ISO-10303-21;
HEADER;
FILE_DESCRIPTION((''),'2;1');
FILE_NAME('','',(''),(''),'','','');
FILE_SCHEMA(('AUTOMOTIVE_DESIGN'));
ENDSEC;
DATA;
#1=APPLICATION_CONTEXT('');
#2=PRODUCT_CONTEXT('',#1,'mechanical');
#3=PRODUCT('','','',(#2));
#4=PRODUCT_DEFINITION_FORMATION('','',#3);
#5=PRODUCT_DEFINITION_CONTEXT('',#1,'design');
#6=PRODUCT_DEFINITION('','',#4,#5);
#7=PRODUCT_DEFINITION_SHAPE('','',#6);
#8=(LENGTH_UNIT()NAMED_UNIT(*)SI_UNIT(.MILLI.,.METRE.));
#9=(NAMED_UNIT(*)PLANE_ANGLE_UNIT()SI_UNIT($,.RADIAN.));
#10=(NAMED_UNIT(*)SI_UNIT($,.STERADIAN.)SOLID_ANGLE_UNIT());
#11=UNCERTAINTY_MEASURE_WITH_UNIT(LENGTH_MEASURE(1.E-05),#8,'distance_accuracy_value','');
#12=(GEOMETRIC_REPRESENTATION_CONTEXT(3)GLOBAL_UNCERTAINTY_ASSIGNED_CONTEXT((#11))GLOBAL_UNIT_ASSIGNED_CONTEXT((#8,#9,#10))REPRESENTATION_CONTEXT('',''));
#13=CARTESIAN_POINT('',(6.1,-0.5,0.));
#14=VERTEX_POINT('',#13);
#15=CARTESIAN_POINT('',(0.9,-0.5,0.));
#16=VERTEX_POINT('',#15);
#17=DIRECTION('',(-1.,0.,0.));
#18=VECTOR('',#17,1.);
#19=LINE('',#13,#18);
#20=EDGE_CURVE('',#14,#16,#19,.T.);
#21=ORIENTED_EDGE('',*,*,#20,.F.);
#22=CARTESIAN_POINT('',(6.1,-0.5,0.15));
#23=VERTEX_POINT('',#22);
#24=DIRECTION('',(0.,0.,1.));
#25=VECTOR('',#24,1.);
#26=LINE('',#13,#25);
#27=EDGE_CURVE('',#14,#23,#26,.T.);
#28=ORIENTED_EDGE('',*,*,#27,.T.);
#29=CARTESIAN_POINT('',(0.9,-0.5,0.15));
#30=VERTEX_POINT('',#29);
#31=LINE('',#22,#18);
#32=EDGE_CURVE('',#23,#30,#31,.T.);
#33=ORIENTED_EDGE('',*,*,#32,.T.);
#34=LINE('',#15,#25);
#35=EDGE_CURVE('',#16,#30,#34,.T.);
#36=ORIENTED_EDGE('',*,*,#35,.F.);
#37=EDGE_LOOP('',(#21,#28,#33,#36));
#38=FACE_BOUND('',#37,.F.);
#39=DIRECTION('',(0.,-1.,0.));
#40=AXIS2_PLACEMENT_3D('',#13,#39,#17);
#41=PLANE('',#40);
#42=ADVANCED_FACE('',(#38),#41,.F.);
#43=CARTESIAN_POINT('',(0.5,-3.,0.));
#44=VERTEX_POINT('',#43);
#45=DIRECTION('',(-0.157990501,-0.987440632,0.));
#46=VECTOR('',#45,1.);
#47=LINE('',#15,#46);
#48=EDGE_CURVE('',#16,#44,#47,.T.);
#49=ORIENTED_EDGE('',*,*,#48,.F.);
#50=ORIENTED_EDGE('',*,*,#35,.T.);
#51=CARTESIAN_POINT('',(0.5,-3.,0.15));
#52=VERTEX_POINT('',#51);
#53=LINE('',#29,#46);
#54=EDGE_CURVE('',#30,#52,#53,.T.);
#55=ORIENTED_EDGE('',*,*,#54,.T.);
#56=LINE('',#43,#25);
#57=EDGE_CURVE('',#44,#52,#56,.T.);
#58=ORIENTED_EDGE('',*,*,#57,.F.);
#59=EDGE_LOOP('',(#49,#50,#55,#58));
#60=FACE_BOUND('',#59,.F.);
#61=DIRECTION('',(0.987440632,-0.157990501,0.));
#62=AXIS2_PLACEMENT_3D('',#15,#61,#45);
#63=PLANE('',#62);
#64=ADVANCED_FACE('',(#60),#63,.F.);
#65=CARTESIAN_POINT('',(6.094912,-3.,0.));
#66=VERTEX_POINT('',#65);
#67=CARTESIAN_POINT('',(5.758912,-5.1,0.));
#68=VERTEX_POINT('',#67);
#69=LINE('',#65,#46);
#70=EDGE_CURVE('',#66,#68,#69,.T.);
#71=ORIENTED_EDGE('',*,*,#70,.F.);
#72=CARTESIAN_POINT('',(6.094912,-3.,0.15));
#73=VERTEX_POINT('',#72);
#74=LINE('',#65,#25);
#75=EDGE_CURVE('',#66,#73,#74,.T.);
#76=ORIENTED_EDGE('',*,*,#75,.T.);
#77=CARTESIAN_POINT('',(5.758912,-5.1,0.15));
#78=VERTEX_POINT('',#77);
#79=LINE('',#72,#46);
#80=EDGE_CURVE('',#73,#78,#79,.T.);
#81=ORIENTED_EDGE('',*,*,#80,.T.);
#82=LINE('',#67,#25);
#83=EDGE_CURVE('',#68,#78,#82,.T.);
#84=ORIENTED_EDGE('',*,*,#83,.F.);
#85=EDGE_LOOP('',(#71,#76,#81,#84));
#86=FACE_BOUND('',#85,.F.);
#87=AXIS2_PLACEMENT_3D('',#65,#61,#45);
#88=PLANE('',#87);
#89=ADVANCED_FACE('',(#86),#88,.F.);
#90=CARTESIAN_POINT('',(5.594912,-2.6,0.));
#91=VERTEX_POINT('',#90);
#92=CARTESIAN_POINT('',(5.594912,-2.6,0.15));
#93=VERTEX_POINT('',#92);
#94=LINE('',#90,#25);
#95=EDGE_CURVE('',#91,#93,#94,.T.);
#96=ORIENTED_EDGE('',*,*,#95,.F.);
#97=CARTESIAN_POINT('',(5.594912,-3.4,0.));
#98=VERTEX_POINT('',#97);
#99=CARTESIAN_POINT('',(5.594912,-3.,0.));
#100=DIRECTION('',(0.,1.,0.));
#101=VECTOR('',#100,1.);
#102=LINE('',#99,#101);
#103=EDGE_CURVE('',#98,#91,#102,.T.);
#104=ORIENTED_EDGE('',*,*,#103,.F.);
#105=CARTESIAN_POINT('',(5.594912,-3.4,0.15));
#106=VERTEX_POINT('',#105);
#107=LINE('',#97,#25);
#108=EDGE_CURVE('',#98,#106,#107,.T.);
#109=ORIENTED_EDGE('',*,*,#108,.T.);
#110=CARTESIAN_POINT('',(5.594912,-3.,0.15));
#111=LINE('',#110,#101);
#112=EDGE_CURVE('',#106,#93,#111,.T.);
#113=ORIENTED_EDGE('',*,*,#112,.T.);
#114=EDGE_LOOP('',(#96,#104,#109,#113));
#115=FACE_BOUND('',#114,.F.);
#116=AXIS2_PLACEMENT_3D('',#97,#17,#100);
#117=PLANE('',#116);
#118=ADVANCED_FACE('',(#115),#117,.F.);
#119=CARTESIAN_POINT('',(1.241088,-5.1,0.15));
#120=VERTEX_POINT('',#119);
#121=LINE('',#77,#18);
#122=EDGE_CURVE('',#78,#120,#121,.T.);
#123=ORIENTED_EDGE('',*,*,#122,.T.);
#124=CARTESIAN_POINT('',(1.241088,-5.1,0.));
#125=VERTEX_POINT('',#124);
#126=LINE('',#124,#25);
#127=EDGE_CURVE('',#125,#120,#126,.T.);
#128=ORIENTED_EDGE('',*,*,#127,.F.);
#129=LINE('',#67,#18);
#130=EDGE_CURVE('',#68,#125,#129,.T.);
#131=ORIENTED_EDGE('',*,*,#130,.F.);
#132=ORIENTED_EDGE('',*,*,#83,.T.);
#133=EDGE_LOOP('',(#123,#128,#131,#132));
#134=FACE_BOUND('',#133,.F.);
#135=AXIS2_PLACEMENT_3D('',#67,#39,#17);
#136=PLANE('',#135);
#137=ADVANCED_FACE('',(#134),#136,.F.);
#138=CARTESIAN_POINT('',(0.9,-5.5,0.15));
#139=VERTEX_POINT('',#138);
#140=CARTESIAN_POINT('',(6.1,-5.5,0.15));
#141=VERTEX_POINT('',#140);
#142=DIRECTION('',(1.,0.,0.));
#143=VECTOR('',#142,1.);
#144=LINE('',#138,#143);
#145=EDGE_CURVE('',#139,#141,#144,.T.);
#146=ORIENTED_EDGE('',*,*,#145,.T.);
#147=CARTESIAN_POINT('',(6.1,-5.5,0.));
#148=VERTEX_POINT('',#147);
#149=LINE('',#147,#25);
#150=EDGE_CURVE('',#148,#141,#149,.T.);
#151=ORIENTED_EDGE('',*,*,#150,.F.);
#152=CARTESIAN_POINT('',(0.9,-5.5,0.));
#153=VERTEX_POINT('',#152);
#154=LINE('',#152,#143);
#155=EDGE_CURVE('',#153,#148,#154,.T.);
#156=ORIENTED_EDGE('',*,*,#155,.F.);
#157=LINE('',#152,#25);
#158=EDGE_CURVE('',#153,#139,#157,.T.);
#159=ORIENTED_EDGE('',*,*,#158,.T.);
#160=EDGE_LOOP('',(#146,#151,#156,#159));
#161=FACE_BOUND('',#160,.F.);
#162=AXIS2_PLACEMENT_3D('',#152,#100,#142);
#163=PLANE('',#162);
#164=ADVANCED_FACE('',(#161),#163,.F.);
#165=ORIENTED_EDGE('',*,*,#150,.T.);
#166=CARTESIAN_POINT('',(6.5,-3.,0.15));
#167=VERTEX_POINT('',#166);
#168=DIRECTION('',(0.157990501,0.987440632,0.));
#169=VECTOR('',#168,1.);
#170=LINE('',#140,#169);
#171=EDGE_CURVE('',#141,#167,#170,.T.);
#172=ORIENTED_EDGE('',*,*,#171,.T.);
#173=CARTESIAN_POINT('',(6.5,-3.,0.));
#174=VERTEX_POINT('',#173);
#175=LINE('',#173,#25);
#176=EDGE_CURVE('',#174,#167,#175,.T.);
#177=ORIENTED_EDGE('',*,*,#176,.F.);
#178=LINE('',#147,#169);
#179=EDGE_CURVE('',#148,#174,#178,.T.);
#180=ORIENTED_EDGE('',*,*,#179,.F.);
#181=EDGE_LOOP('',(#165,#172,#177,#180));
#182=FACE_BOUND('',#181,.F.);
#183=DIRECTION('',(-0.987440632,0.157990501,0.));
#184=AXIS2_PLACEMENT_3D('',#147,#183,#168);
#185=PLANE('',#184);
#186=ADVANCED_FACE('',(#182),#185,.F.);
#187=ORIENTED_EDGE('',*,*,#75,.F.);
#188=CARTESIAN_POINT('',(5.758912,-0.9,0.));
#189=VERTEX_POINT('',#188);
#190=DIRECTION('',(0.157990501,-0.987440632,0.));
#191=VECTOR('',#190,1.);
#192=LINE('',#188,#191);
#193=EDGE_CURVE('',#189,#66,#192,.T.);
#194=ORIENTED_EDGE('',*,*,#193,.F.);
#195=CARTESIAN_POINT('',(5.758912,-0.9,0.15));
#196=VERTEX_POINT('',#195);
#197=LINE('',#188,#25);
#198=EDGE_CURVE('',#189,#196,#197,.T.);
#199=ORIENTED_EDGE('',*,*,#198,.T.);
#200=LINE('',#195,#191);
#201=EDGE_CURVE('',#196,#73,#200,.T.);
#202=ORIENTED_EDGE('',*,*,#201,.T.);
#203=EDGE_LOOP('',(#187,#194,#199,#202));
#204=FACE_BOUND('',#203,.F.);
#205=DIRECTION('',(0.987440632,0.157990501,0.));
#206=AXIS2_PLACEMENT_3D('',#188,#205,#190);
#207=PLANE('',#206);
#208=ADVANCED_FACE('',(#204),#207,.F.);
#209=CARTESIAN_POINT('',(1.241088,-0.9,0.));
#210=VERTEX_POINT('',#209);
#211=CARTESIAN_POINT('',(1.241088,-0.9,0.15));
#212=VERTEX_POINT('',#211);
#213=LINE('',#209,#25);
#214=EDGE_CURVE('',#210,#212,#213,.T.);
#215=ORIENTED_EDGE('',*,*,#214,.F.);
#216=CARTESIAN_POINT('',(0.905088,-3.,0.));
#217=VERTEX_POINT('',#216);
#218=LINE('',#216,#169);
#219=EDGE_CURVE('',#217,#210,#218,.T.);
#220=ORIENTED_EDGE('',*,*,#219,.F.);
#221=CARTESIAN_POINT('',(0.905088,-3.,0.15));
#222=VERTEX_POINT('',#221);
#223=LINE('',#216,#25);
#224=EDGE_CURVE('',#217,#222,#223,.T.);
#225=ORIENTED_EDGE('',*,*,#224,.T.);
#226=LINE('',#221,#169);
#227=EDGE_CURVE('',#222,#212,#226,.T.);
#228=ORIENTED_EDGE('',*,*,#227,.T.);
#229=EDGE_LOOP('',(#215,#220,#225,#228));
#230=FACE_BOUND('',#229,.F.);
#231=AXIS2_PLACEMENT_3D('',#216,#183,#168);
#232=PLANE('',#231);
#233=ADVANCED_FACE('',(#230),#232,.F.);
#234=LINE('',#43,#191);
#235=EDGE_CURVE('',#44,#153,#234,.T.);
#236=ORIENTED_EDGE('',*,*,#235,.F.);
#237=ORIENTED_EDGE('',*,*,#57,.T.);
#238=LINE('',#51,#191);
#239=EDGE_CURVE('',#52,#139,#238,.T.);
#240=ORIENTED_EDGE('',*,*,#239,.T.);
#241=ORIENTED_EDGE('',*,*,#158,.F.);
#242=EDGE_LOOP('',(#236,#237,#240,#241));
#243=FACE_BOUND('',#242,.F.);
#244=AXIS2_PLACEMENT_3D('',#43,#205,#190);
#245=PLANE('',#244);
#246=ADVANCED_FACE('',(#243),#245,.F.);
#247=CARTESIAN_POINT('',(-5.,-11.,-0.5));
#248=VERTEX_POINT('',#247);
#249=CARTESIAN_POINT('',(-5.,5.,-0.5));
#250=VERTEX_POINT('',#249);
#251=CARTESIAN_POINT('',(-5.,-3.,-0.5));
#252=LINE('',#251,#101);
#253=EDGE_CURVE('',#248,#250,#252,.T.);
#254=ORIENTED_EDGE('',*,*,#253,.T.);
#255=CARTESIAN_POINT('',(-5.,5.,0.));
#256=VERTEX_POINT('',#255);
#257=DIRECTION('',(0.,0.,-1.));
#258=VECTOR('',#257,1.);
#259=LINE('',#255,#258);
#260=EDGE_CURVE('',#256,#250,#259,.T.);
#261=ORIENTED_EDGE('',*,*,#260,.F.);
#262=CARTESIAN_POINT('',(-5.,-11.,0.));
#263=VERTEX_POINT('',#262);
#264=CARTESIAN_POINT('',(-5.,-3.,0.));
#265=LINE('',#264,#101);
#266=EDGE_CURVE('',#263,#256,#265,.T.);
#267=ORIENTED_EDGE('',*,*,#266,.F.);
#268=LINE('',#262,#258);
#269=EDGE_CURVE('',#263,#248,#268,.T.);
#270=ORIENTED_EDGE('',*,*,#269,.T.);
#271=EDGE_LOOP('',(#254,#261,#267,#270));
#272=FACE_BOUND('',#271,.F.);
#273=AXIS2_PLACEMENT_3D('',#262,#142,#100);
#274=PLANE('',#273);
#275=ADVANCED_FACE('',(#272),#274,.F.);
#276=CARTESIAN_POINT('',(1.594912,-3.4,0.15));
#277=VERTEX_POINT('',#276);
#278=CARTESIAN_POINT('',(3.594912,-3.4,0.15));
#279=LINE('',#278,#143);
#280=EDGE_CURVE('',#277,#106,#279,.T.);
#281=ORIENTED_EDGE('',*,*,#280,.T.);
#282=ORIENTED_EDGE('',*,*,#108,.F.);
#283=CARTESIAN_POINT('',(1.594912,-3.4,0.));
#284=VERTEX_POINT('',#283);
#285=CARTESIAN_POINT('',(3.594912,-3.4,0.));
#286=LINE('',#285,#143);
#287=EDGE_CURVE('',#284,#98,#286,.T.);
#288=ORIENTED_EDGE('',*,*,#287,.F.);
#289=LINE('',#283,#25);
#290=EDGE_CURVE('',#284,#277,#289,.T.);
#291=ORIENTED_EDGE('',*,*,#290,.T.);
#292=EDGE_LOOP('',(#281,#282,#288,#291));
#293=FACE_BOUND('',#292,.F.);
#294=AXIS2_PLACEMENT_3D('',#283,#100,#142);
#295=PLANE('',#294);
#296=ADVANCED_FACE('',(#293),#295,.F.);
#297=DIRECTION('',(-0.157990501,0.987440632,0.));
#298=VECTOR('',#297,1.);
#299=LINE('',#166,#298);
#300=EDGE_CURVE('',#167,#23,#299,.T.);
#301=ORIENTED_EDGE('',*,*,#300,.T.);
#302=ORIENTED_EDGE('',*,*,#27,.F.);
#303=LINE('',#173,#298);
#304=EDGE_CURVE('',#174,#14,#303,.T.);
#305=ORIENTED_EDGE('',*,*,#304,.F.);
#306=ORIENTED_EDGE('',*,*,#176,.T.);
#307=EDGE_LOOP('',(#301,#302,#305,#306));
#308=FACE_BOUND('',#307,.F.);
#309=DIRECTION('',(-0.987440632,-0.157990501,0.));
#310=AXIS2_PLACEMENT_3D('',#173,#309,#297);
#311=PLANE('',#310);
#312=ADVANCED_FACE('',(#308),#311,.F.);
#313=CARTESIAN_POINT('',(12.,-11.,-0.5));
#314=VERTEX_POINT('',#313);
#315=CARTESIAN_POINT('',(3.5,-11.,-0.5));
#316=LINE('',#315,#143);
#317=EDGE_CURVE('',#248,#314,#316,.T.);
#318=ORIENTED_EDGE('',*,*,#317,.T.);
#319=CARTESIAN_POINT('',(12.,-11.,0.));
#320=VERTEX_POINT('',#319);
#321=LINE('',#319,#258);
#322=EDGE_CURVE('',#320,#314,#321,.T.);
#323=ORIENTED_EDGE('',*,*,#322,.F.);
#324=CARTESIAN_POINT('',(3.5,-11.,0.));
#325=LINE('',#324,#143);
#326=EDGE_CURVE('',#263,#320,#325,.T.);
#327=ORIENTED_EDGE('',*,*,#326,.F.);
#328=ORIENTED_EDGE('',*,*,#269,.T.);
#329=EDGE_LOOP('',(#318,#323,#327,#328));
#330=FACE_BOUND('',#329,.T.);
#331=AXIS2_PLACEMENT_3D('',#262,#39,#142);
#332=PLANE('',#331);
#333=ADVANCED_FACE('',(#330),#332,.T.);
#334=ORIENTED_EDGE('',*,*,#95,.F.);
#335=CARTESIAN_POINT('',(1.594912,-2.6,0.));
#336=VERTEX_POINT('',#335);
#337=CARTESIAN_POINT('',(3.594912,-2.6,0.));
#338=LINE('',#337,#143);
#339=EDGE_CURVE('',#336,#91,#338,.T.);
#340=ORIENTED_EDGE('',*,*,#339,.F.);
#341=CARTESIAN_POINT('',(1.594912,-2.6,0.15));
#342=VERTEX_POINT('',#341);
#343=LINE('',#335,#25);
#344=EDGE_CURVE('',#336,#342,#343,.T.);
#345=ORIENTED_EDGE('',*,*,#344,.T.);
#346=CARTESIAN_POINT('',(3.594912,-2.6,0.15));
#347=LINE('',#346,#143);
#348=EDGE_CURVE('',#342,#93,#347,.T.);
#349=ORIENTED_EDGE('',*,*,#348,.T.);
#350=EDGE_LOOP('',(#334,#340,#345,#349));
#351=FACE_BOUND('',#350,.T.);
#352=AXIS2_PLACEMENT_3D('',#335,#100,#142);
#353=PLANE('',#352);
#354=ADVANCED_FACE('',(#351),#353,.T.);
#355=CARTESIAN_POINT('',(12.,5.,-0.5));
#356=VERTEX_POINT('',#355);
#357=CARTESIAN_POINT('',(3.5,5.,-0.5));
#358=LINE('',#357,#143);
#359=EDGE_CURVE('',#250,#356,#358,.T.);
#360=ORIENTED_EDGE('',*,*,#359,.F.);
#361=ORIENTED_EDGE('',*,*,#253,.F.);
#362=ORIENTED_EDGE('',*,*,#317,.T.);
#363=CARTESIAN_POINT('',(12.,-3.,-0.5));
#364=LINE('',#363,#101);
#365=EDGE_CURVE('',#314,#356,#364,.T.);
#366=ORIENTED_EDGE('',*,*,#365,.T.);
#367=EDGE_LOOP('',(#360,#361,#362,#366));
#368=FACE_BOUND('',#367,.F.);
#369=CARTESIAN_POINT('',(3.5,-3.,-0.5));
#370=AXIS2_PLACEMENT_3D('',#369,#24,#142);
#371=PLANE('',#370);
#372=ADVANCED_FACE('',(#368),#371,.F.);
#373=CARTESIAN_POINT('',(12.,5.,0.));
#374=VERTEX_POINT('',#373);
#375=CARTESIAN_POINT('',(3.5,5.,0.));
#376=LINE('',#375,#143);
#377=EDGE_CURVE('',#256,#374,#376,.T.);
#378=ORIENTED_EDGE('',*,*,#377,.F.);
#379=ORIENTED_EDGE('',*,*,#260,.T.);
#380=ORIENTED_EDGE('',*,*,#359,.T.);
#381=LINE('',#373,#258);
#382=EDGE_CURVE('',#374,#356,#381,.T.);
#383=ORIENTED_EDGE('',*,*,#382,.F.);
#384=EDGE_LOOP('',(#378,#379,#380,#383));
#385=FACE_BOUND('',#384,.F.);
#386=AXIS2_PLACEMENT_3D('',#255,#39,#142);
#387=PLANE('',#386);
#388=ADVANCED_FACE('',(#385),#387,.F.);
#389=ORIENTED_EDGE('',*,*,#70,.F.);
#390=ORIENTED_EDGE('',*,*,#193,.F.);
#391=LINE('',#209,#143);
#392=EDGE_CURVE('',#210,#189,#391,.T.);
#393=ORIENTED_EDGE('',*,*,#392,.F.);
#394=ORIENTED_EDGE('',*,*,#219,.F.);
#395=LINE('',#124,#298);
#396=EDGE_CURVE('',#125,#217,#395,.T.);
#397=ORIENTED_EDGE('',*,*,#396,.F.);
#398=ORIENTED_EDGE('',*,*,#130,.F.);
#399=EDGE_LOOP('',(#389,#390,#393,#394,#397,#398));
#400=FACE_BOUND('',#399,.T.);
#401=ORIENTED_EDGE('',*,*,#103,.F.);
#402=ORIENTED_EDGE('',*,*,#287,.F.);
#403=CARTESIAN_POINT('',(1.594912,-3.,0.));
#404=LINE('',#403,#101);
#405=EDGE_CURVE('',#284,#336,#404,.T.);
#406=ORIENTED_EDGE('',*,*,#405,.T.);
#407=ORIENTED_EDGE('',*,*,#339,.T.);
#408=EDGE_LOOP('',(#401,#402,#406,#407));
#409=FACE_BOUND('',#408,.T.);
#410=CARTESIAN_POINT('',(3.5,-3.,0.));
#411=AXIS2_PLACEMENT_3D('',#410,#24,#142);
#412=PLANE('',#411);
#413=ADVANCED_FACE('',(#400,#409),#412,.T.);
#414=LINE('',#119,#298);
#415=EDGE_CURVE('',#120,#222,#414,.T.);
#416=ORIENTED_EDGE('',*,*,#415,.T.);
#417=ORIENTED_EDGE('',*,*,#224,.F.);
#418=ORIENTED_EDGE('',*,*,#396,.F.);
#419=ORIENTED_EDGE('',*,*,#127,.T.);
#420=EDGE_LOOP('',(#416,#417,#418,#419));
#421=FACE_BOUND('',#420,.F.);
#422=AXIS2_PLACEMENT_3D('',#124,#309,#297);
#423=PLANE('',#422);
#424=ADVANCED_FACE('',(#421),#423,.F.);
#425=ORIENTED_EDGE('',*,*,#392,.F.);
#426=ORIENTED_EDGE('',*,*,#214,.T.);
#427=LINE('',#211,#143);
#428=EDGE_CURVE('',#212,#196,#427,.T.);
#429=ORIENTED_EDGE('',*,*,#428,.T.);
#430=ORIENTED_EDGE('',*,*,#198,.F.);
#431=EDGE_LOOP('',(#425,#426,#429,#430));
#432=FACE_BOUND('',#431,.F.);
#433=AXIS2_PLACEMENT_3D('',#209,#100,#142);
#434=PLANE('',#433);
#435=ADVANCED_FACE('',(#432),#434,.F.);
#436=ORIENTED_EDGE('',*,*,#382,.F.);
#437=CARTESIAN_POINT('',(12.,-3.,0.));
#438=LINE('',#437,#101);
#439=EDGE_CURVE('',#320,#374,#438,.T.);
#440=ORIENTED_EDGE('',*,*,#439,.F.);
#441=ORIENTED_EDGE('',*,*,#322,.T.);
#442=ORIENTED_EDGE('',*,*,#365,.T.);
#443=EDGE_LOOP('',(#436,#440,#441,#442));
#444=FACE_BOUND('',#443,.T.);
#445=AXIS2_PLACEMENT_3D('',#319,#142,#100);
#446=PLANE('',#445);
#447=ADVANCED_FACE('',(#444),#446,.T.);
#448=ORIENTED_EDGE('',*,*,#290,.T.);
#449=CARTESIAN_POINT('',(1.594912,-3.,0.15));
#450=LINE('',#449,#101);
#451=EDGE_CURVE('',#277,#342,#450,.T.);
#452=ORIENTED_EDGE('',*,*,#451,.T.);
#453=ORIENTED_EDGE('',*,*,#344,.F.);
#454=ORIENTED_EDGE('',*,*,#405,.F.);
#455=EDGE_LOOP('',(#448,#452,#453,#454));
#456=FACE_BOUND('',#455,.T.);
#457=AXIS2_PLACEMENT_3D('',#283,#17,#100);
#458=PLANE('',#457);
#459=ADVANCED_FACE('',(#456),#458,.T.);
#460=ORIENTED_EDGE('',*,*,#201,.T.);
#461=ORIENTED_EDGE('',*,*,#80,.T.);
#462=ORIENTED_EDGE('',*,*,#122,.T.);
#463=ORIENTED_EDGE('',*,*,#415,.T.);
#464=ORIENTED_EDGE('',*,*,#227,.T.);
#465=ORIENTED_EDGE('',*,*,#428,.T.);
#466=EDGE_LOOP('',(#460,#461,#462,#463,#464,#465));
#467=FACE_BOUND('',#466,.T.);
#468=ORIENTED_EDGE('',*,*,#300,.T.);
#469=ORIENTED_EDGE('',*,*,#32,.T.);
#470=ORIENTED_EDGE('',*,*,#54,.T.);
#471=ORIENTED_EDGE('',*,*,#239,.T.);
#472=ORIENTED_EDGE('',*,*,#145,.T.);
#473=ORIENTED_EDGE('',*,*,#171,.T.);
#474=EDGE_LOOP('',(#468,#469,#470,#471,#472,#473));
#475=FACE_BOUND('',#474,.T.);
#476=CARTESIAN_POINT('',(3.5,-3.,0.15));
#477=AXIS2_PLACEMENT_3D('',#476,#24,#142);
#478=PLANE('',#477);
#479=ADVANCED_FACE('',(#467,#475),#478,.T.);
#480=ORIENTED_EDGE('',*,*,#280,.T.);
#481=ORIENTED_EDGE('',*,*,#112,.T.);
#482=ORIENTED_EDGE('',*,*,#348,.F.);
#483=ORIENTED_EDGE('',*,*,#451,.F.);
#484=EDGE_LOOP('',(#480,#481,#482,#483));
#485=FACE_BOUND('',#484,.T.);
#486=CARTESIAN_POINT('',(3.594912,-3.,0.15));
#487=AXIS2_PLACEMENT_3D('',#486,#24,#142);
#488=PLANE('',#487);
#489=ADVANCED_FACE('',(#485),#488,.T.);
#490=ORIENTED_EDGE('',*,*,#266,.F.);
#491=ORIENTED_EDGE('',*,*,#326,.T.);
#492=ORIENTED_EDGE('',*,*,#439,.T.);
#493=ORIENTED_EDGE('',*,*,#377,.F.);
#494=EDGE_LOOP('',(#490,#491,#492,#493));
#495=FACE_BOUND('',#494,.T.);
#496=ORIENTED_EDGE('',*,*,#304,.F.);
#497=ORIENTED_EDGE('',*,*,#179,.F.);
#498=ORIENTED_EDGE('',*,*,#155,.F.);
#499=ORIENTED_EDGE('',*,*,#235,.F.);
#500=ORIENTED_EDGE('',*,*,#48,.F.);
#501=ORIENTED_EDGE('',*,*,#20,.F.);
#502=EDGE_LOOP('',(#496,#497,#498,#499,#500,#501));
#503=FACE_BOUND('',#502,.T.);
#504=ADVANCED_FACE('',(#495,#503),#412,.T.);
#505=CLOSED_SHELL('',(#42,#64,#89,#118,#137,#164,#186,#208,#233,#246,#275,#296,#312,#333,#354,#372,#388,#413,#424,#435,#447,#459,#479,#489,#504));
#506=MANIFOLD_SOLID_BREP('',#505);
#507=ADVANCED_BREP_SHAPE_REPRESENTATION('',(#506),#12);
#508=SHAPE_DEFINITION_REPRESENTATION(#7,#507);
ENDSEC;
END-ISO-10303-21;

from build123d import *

# Parameters (mm, degrees)
F2_DEPTH  = 0.15
F0_W      = 4
F0_H      = 0.8
F0_W_2    = 7
F0_H_2    = 6
F2_FACE_W = 4
F2_FACE_H = 0.8
F1_W      = 17
F1_H      = 16
F3_DEPTH  = 0.5


with BuildPart() as f2:
    # F0 (on Top) → F2 (new body)
    with BuildSketch(Plane.XY):
        Polygon((0.9, -0.5), (0.5, -3), (0.9, -5.5), (6.1, -5.5), (6.5, -3), (6.1, -0.5), align=None)
        Polygon((1.2410876448, -5.1), (0.9050876448, -3), (1.2410876448, -0.9), (5.7589123552, -0.9), (6.0949123552, -3), (5.7589123552, -5.1), align=None, mode=Mode.SUBTRACT)
    extrude(amount=F2_DEPTH)



with BuildPart() as f2b:
    # F0 (on Top) → F2, piece 2 (new body)
    with BuildSketch(Plane.XY):
        with Locations((3.5949123552, -3)):
            Rectangle(F0_W, F0_H)
    extrude(amount=F2_DEPTH)


with BuildPart() as f2_1:
    add(f2.part)

    add(f2b.part)  # F3 merges F2b
    # F0 (on Top) + F2_face (on face) + F1 (on Top) → F3 (join)
    with BuildSketch(Plane.XY):
        with Locations((3.5, -3)):
            Rectangle(F0_W_2, F0_H_2)
        Polygon((0.9, -5.5), (0.5, -3), (0.9, -0.5), (6.1, -0.5), (6.5, -3), (6.1, -5.5), align=None, mode=Mode.SUBTRACT)
        Polygon((0.9, -0.5), (0.5, -3), (0.9, -5.5), (6.1, -5.5), (6.5, -3), (6.1, -0.5), align=None)
        Polygon((1.2410876448, -5.1), (0.9050876448, -3), (1.2410876448, -0.9), (5.7589123552, -0.9), (6.0949123552, -3), (5.7589123552, -5.1), align=None, mode=Mode.SUBTRACT)
        Polygon((1.2410876448, -0.9), (0.9050876448, -3), (1.2410876448, -5.1), (5.7589123552, -5.1), (6.0949123552, -3), (5.7589123552, -0.9), align=None)
        with Locations((3.5949123552, -3)):
            Rectangle(F0_W, F0_H, mode=Mode.SUBTRACT)
        with Locations((3.5949123552, -3)):
            Rectangle(F0_W, F0_H)
    with BuildSketch(Plane(origin=(3.5949123552, -3, 0), x_dir=(1, 0, 0), z_dir=(0, 0, -1))):
        Rectangle(F2_FACE_W, F2_FACE_H)
    with BuildSketch(Plane.XY):
        with Locations((3.5, -3)):
            Rectangle(F1_W, F1_H)
    extrude(amount=-F3_DEPTH, dir=(0, 0, 1))


solid = f2_1.part
